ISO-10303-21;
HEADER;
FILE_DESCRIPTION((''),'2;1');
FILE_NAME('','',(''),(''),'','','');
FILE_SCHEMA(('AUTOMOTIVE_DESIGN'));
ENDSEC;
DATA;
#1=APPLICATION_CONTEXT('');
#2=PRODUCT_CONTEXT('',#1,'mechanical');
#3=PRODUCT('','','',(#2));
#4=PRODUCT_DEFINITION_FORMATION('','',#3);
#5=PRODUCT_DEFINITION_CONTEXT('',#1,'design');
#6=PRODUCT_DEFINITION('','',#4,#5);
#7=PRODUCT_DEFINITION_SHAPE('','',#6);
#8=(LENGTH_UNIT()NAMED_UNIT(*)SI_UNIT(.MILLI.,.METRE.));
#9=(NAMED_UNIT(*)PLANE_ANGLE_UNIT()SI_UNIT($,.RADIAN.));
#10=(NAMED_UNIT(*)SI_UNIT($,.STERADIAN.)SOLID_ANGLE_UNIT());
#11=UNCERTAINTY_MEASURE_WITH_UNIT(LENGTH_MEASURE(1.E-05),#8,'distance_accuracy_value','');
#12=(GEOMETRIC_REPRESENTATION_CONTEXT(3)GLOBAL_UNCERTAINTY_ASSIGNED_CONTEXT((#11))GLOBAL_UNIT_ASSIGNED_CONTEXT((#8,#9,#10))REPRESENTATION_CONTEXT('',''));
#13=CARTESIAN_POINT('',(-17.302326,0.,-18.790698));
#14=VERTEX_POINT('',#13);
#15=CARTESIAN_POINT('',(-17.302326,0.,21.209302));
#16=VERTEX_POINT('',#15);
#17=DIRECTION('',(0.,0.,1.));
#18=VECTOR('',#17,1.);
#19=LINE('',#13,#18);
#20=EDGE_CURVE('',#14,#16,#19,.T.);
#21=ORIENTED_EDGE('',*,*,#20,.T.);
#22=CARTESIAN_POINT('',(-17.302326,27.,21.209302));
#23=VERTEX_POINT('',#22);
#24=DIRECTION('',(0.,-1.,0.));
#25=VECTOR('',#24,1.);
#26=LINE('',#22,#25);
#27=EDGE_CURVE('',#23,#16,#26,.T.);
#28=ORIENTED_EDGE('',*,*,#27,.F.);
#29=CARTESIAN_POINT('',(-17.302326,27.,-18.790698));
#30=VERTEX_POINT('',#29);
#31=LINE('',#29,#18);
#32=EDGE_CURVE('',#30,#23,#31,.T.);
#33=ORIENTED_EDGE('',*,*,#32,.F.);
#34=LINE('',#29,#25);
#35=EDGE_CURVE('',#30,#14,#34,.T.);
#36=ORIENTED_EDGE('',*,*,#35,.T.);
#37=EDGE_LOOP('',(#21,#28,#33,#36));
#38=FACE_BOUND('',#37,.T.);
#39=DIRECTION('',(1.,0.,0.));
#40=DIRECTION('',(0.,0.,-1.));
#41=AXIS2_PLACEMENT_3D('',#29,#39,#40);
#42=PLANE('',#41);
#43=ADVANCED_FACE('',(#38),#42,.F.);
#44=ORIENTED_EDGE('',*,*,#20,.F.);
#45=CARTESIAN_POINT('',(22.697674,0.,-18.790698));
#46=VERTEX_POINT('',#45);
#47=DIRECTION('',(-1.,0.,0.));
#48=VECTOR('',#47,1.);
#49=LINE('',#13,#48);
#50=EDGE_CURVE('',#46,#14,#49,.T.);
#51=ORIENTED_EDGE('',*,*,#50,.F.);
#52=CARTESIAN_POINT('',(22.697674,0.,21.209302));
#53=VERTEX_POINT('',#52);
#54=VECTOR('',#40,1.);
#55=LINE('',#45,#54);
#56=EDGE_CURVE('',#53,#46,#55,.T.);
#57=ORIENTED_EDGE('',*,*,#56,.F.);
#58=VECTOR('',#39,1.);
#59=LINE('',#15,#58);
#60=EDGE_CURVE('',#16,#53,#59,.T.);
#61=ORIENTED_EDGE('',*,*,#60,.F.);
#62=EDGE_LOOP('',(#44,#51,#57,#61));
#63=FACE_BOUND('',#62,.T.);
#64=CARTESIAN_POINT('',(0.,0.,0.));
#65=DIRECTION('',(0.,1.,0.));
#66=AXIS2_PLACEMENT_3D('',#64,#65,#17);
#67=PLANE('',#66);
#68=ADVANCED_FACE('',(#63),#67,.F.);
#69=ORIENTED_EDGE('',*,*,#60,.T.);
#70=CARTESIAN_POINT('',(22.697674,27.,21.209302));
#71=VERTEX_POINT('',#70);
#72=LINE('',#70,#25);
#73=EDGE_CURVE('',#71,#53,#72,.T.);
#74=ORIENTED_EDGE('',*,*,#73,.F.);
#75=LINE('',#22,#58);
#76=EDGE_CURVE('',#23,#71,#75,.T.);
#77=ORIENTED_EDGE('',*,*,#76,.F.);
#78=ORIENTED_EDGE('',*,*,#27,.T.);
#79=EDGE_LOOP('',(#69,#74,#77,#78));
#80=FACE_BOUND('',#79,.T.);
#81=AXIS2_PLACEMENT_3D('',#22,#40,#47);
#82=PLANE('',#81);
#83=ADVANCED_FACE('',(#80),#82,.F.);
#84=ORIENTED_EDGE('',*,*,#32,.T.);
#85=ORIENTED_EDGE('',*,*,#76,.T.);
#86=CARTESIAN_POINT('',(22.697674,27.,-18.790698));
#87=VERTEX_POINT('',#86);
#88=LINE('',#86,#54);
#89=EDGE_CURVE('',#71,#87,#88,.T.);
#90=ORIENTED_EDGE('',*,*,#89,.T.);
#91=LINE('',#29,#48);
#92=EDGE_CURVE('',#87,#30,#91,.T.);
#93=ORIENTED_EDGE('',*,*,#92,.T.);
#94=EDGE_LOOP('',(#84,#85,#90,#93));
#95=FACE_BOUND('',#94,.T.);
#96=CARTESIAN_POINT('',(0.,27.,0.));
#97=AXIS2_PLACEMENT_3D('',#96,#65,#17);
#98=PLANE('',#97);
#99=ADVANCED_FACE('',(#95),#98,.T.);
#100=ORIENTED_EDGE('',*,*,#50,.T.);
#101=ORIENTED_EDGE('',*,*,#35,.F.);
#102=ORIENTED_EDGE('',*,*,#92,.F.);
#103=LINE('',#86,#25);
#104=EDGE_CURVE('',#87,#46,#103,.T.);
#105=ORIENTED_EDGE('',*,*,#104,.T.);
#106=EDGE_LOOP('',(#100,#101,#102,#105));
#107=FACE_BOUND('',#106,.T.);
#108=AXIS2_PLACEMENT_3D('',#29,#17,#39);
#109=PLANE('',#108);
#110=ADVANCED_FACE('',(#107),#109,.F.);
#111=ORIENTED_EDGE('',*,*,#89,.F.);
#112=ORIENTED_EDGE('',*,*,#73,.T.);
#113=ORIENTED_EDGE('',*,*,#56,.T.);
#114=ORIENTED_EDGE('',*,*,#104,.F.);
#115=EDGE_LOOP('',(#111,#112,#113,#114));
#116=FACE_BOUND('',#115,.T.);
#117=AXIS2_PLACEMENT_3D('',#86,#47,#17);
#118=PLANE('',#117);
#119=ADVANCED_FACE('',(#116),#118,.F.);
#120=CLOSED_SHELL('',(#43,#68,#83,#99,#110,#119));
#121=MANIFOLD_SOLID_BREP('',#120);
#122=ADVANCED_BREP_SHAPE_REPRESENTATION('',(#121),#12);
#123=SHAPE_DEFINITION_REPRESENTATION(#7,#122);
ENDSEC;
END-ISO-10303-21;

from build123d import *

# Parameters (mm, degrees)
ESQUISSE1_W        = 40
ESQUISSE1_H        = 40
BOSS_EXTRU_1_DEPTH = 27


with BuildPart() as part:
    # Esquisse1 → Boss.-Extru.1 (new body)
    with BuildSketch(Plane(origin=(0, 0, 0), x_dir=(1, 0, 0), z_dir=(0, 1, 0))):
        with Locations((2.697674419, -1.209302326)):
            Rectangle(ESQUISSE1_W, ESQUISSE1_H)
    extrude(amount=BOSS_EXTRU_1_DEPTH)


solid = part.part
